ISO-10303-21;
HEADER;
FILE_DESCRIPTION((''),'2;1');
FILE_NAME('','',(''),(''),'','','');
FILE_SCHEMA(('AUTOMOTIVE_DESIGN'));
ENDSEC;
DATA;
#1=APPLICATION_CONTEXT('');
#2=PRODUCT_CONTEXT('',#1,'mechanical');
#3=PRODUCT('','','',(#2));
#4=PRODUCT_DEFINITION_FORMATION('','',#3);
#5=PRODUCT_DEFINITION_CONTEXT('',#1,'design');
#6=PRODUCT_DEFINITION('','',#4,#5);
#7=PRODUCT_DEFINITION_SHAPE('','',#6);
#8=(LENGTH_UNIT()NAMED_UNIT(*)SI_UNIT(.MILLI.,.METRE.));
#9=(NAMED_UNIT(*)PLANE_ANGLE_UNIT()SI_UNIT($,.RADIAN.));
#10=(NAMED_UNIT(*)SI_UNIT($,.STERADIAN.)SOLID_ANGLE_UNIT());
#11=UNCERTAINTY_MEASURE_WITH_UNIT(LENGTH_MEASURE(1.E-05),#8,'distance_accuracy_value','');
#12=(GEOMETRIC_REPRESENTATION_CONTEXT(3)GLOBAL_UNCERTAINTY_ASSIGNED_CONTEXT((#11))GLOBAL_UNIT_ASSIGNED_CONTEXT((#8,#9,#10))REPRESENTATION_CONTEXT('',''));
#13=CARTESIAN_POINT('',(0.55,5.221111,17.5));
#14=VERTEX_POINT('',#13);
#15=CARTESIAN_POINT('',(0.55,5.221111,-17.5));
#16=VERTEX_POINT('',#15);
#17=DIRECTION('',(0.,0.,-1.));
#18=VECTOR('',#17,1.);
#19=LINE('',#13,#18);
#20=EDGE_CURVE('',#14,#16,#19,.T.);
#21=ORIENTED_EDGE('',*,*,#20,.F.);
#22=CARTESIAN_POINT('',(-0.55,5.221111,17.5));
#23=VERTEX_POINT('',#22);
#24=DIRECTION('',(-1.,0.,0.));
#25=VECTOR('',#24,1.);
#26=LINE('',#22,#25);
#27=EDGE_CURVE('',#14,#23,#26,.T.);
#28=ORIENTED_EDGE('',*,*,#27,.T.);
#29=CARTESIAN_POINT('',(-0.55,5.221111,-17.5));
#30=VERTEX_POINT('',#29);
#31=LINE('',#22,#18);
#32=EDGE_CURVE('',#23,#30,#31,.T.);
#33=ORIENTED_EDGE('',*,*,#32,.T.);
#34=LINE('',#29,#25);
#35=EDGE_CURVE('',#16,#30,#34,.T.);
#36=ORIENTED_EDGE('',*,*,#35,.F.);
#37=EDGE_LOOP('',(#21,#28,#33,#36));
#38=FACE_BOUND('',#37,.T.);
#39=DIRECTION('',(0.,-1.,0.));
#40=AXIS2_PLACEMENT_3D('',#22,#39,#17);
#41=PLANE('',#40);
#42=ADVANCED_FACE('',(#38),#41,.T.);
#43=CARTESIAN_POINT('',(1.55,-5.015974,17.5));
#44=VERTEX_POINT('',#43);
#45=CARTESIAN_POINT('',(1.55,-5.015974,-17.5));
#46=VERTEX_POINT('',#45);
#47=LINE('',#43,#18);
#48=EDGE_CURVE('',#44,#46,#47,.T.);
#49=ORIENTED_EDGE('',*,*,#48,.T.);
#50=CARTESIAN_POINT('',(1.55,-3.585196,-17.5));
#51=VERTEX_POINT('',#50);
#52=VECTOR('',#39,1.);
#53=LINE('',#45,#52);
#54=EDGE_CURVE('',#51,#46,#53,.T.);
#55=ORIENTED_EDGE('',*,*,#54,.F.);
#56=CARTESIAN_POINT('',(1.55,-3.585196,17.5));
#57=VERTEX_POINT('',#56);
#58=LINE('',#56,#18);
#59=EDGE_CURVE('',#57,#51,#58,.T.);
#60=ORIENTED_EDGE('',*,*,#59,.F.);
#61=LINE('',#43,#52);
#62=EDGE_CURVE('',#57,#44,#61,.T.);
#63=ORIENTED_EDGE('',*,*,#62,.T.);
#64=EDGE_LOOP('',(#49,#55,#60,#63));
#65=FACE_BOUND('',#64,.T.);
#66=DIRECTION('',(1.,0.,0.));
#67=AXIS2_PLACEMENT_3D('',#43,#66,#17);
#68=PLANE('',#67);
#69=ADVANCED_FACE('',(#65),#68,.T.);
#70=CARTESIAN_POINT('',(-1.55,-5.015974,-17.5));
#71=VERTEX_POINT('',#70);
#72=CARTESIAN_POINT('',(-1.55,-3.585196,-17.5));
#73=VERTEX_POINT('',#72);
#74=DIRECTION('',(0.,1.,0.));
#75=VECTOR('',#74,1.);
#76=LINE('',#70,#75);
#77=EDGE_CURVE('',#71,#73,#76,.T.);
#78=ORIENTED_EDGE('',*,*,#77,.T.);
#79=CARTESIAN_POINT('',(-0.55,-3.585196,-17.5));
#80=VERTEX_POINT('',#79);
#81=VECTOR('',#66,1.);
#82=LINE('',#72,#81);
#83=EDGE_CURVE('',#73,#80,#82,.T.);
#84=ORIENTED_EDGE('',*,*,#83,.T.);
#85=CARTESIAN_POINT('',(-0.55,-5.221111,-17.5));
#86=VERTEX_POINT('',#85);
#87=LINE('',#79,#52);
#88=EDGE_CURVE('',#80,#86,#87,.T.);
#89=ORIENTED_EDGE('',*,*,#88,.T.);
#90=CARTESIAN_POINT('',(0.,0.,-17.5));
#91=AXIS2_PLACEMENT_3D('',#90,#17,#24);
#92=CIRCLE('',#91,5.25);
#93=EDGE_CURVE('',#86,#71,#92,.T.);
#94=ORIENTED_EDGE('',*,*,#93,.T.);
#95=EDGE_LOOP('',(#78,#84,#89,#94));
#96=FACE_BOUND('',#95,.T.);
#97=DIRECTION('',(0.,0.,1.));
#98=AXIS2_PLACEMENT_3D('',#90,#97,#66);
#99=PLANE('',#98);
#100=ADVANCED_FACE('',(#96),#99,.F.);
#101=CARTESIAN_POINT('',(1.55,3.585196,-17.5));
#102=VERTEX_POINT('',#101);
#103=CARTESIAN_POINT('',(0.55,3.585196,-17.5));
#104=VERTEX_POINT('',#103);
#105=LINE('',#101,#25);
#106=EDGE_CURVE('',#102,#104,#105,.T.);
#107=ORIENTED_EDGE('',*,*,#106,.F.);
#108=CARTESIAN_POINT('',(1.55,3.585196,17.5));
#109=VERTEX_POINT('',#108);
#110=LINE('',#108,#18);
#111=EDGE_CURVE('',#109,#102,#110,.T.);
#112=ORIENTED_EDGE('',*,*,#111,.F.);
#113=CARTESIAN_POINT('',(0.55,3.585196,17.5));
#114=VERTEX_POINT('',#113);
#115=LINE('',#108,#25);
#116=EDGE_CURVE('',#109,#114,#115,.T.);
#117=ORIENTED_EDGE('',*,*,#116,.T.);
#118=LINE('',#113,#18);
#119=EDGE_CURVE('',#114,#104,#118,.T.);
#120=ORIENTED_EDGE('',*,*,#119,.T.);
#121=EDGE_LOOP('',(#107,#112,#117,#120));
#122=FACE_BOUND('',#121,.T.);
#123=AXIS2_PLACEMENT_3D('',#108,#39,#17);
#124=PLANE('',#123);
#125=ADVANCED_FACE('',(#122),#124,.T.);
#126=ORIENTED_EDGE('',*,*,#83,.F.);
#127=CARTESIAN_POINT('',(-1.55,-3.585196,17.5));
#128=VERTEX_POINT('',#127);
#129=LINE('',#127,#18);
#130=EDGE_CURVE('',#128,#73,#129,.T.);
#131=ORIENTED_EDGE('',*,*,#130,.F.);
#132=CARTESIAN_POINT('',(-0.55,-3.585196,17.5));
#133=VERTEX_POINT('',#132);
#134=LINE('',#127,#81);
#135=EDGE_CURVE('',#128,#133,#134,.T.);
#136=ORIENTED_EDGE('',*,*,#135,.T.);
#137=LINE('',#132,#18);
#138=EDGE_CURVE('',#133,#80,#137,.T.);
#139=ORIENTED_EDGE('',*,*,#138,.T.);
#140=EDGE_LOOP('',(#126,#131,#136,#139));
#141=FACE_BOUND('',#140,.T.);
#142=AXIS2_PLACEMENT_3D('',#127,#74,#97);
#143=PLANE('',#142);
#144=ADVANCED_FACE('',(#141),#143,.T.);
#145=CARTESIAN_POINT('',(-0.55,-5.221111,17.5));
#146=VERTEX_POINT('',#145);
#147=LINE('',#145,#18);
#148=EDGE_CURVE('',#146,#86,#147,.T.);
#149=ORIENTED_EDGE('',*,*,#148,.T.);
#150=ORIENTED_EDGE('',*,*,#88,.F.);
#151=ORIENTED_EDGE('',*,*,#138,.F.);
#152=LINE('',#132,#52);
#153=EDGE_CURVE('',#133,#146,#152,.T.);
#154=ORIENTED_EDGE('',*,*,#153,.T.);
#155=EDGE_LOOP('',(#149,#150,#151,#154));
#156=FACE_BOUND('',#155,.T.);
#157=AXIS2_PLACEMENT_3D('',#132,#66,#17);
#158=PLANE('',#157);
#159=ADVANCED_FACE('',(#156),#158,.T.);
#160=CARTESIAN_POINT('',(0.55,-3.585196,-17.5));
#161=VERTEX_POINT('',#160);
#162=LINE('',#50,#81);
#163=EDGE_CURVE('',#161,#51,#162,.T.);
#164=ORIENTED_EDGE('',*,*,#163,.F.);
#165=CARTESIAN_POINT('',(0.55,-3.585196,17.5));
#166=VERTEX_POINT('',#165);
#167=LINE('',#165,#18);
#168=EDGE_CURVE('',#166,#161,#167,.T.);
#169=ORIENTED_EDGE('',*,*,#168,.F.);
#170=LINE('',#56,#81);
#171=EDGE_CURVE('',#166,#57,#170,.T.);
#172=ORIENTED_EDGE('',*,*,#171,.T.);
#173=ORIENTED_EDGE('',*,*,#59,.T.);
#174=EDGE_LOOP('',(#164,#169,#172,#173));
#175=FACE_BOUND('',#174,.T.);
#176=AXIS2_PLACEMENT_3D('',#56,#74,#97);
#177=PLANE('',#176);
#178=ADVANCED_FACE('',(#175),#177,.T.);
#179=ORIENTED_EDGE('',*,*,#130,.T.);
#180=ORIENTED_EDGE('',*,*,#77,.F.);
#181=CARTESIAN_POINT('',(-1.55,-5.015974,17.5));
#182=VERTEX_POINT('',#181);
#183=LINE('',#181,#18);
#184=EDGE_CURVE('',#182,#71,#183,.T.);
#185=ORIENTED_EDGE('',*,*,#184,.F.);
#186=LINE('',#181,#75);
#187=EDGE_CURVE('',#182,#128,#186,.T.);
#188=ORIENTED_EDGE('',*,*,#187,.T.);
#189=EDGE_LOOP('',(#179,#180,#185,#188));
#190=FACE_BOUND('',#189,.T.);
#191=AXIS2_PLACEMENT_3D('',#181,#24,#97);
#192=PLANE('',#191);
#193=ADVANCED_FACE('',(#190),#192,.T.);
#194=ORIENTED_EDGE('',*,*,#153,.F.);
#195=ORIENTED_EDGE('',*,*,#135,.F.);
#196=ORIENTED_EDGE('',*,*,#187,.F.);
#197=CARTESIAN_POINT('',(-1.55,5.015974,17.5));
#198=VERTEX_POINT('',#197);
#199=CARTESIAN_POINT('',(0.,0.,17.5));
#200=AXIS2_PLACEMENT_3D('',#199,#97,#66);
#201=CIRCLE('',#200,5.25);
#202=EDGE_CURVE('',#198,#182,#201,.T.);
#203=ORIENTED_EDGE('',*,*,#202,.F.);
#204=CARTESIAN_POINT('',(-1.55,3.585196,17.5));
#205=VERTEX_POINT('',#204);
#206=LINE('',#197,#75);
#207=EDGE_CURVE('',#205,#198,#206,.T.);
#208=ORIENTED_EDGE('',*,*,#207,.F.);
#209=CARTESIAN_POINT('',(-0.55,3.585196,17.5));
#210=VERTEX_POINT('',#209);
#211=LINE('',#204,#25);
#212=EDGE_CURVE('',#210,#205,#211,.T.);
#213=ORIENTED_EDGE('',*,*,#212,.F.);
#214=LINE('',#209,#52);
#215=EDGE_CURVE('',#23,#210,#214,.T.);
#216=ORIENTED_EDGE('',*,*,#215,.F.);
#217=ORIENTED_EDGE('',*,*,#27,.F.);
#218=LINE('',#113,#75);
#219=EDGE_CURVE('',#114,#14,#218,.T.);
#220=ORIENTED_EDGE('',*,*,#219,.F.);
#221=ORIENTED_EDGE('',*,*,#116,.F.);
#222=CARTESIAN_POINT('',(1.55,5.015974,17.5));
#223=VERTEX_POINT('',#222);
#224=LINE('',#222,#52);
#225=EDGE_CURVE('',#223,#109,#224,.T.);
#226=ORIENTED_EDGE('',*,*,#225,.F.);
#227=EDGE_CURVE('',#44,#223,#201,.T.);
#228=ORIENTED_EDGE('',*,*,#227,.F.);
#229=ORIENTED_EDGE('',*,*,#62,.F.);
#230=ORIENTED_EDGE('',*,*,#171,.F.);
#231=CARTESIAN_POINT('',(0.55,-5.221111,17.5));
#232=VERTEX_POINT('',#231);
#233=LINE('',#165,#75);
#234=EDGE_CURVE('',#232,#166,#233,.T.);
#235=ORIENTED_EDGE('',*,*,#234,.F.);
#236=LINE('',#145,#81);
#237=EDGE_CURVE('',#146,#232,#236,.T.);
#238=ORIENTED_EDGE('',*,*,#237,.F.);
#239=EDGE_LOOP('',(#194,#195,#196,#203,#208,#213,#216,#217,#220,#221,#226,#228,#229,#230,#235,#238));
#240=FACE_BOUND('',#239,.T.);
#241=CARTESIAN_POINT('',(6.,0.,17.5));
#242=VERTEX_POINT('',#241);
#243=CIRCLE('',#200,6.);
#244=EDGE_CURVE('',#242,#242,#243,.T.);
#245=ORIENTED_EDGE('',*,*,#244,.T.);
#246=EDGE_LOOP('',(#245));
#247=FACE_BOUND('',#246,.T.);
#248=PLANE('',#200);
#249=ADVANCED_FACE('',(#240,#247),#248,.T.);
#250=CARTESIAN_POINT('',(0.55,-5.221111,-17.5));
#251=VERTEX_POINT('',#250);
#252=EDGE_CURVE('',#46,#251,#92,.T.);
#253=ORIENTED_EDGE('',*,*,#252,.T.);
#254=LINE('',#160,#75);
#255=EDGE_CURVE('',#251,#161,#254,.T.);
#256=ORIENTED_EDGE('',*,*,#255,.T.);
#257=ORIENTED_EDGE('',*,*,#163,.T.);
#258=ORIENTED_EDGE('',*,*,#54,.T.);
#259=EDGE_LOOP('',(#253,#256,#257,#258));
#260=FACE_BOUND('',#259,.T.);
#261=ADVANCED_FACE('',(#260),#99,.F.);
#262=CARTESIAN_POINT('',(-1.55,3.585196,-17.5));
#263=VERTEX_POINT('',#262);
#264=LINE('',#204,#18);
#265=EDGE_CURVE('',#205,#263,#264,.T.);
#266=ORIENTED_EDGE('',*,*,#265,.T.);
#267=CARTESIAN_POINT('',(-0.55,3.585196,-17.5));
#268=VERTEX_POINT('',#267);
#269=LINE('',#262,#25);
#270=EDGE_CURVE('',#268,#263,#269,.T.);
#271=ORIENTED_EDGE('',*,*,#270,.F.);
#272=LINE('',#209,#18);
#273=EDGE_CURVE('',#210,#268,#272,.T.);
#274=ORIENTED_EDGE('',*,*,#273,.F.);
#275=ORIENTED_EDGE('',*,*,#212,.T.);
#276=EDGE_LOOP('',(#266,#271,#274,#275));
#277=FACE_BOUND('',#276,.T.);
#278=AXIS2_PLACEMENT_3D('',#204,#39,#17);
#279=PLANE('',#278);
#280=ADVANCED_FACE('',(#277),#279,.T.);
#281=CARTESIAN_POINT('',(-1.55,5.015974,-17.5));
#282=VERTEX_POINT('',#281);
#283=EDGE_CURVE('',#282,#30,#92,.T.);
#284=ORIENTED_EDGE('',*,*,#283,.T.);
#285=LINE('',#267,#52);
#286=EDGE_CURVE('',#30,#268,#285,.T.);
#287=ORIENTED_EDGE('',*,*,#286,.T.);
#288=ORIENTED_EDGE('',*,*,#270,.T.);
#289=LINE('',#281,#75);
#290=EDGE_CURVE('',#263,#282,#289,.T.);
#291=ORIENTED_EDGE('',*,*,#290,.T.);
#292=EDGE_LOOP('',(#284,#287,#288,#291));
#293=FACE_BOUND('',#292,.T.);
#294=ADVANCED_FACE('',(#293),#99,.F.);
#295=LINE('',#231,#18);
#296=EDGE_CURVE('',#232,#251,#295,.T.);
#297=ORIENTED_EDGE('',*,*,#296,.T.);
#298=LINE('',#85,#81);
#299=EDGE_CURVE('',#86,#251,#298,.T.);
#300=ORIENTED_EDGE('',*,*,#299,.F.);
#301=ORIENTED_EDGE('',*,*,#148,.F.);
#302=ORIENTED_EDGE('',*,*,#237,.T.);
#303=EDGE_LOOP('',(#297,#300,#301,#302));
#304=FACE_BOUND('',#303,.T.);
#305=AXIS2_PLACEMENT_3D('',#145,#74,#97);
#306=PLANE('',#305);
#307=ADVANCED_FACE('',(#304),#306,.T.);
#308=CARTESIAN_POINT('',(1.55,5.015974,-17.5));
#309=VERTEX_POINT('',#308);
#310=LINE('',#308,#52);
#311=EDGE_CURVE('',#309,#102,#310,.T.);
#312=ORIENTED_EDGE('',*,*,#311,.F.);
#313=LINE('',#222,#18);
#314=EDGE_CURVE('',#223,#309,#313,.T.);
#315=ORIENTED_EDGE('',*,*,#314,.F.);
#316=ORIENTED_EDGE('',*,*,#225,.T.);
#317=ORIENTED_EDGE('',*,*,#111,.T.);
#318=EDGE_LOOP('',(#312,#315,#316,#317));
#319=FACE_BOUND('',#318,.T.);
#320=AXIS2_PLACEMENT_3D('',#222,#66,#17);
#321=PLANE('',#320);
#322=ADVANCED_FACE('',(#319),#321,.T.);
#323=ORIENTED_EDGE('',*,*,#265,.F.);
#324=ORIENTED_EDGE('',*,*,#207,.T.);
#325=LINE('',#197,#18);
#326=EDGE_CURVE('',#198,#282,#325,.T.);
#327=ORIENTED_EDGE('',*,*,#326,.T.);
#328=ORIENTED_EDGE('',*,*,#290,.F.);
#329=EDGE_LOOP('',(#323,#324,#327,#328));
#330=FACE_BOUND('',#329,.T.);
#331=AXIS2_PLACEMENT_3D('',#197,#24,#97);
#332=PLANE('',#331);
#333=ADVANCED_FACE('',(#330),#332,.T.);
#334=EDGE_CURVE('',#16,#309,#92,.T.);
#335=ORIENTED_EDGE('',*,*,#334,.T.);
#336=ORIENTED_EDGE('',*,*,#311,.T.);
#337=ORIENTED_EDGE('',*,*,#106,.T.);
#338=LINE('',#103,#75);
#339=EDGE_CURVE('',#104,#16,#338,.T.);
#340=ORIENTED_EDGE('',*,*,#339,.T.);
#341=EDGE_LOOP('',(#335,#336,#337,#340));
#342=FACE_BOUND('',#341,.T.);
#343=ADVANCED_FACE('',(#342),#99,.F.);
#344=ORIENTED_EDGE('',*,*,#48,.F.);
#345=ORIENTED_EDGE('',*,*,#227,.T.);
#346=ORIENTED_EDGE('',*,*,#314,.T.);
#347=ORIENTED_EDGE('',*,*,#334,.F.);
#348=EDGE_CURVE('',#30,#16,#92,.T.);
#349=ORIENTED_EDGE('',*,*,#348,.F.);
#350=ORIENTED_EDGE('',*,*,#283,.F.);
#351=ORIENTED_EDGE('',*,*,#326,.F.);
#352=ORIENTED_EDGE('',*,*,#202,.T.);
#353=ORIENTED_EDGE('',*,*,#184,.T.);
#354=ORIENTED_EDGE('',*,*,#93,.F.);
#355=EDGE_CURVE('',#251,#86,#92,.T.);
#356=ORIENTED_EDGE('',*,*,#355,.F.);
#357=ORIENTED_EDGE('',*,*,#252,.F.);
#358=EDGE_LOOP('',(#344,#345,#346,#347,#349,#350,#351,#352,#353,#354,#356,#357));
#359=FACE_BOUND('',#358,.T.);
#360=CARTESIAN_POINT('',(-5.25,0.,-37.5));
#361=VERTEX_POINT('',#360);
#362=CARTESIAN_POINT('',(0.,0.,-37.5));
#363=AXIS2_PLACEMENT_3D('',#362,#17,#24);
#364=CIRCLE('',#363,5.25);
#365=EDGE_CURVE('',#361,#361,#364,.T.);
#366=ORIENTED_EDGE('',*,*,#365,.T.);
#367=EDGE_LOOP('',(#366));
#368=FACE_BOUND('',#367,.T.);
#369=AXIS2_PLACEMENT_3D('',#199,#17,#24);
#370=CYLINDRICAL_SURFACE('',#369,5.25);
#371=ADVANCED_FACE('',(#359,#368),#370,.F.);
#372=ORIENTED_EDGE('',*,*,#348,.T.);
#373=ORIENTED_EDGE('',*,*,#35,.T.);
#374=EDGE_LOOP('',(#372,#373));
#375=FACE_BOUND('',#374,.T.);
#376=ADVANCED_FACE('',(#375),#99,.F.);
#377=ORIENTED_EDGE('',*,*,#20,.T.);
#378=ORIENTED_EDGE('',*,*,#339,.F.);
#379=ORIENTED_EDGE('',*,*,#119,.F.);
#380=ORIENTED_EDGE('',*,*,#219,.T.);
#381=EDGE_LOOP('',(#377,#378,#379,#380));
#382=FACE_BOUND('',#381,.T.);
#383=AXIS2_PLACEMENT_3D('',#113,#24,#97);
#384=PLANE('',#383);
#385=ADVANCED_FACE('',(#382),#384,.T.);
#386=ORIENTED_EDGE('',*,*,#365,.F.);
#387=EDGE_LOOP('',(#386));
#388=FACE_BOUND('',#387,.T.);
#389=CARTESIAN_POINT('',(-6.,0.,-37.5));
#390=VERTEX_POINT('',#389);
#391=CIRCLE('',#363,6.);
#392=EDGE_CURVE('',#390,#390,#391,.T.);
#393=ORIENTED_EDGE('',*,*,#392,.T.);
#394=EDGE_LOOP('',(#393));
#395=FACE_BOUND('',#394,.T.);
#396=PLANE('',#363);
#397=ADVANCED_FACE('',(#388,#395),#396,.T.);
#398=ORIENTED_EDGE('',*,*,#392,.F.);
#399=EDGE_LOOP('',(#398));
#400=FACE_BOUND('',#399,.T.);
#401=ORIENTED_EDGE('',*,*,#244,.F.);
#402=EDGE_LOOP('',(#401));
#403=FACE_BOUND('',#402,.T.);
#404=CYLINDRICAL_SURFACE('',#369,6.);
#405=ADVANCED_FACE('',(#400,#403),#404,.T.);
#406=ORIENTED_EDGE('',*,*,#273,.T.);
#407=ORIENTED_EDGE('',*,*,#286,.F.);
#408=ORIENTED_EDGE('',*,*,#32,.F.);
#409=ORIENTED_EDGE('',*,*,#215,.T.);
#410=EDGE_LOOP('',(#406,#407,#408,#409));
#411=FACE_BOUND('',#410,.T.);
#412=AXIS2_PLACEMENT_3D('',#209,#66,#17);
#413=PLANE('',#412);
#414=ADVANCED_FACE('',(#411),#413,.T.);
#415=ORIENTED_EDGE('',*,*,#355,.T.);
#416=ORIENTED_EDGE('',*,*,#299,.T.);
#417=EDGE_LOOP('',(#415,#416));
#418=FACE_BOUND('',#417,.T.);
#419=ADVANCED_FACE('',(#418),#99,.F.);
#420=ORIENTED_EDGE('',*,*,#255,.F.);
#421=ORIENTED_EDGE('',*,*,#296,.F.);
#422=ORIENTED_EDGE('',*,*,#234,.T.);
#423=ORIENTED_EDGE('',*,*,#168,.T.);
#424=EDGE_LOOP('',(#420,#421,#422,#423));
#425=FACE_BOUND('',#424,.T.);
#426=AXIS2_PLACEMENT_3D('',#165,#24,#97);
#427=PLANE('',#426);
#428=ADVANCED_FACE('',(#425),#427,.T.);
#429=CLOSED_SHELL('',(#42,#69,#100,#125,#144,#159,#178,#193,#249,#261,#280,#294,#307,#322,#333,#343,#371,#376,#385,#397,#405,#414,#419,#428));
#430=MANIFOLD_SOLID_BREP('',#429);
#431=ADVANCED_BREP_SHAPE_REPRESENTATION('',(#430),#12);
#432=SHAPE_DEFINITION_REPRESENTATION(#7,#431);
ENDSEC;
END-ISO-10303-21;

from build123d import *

# Parameters (mm, degrees)
SKETCH1_R           = 6
BOSS_EXTRUDE1_DEPTH = 17.5
SKETCH2_R           = 6
SKETCH2_R_2         = 5.25
BOSS_EXTRUDE2_DEPTH = 20


with BuildPart() as part:
    # Sketch1 → Boss-Extrude1 (new, symmetric)
    with BuildSketch(Plane.XY):
        Circle(SKETCH1_R)
        with BuildLine():
            Line((1.55, -5.015974482), (1.55, -3.585195962))
            Line((1.55, -3.585195962), (0.55, -3.585195962))
            Line((0.55, -3.585195962), (0.55, -5.221110993))
            Line((0.55, -5.221110993), (-0.55, -5.221110993))
            Line((-0.55, -5.221110993), (-0.55, -3.585195962))
            Line((-0.55, -3.585195962), (-1.55, -3.585195962))
            Line((-1.55, -3.585195962), (-1.55, -5.015974482))
            ThreePointArc((-1.55, -5.015974482), (-5.25, 0), (-1.55, 5.015974482))
            Line((-1.55, 5.015974482), (-1.55, 3.585195962))
            Line((-1.55, 3.585195962), (-0.55, 3.585195962))
            Line((-0.55, 3.585195962), (-0.55, 5.221110993))
            Line((-0.55, 5.221110993), (0.55, 5.221110993))
            Line((0.55, 5.221110993), (0.55, 3.585195962))
            Line((0.55, 3.585195962), (1.55, 3.585195962))
            Line((1.55, 3.585195962), (1.55, 5.015974482))
            ThreePointArc((1.55, 5.015974482), (5.25, 0), (1.55, -5.015974482))
        make_face(mode=Mode.SUBTRACT)
    extrude(amount=BOSS_EXTRUDE1_DEPTH, both=True)

    # Sketch2 → Boss-Extrude2 (add)
    with BuildSketch(Plane(origin=(0, 0, -17.5), x_dir=(-1, 0, 0), z_dir=(0, 0, -1))):
        Circle(SKETCH2_R)
        Circle(SKETCH2_R_2, mode=Mode.SUBTRACT)
    extrude(amount=BOSS_EXTRUDE2_DEPTH)


solid = part.part
